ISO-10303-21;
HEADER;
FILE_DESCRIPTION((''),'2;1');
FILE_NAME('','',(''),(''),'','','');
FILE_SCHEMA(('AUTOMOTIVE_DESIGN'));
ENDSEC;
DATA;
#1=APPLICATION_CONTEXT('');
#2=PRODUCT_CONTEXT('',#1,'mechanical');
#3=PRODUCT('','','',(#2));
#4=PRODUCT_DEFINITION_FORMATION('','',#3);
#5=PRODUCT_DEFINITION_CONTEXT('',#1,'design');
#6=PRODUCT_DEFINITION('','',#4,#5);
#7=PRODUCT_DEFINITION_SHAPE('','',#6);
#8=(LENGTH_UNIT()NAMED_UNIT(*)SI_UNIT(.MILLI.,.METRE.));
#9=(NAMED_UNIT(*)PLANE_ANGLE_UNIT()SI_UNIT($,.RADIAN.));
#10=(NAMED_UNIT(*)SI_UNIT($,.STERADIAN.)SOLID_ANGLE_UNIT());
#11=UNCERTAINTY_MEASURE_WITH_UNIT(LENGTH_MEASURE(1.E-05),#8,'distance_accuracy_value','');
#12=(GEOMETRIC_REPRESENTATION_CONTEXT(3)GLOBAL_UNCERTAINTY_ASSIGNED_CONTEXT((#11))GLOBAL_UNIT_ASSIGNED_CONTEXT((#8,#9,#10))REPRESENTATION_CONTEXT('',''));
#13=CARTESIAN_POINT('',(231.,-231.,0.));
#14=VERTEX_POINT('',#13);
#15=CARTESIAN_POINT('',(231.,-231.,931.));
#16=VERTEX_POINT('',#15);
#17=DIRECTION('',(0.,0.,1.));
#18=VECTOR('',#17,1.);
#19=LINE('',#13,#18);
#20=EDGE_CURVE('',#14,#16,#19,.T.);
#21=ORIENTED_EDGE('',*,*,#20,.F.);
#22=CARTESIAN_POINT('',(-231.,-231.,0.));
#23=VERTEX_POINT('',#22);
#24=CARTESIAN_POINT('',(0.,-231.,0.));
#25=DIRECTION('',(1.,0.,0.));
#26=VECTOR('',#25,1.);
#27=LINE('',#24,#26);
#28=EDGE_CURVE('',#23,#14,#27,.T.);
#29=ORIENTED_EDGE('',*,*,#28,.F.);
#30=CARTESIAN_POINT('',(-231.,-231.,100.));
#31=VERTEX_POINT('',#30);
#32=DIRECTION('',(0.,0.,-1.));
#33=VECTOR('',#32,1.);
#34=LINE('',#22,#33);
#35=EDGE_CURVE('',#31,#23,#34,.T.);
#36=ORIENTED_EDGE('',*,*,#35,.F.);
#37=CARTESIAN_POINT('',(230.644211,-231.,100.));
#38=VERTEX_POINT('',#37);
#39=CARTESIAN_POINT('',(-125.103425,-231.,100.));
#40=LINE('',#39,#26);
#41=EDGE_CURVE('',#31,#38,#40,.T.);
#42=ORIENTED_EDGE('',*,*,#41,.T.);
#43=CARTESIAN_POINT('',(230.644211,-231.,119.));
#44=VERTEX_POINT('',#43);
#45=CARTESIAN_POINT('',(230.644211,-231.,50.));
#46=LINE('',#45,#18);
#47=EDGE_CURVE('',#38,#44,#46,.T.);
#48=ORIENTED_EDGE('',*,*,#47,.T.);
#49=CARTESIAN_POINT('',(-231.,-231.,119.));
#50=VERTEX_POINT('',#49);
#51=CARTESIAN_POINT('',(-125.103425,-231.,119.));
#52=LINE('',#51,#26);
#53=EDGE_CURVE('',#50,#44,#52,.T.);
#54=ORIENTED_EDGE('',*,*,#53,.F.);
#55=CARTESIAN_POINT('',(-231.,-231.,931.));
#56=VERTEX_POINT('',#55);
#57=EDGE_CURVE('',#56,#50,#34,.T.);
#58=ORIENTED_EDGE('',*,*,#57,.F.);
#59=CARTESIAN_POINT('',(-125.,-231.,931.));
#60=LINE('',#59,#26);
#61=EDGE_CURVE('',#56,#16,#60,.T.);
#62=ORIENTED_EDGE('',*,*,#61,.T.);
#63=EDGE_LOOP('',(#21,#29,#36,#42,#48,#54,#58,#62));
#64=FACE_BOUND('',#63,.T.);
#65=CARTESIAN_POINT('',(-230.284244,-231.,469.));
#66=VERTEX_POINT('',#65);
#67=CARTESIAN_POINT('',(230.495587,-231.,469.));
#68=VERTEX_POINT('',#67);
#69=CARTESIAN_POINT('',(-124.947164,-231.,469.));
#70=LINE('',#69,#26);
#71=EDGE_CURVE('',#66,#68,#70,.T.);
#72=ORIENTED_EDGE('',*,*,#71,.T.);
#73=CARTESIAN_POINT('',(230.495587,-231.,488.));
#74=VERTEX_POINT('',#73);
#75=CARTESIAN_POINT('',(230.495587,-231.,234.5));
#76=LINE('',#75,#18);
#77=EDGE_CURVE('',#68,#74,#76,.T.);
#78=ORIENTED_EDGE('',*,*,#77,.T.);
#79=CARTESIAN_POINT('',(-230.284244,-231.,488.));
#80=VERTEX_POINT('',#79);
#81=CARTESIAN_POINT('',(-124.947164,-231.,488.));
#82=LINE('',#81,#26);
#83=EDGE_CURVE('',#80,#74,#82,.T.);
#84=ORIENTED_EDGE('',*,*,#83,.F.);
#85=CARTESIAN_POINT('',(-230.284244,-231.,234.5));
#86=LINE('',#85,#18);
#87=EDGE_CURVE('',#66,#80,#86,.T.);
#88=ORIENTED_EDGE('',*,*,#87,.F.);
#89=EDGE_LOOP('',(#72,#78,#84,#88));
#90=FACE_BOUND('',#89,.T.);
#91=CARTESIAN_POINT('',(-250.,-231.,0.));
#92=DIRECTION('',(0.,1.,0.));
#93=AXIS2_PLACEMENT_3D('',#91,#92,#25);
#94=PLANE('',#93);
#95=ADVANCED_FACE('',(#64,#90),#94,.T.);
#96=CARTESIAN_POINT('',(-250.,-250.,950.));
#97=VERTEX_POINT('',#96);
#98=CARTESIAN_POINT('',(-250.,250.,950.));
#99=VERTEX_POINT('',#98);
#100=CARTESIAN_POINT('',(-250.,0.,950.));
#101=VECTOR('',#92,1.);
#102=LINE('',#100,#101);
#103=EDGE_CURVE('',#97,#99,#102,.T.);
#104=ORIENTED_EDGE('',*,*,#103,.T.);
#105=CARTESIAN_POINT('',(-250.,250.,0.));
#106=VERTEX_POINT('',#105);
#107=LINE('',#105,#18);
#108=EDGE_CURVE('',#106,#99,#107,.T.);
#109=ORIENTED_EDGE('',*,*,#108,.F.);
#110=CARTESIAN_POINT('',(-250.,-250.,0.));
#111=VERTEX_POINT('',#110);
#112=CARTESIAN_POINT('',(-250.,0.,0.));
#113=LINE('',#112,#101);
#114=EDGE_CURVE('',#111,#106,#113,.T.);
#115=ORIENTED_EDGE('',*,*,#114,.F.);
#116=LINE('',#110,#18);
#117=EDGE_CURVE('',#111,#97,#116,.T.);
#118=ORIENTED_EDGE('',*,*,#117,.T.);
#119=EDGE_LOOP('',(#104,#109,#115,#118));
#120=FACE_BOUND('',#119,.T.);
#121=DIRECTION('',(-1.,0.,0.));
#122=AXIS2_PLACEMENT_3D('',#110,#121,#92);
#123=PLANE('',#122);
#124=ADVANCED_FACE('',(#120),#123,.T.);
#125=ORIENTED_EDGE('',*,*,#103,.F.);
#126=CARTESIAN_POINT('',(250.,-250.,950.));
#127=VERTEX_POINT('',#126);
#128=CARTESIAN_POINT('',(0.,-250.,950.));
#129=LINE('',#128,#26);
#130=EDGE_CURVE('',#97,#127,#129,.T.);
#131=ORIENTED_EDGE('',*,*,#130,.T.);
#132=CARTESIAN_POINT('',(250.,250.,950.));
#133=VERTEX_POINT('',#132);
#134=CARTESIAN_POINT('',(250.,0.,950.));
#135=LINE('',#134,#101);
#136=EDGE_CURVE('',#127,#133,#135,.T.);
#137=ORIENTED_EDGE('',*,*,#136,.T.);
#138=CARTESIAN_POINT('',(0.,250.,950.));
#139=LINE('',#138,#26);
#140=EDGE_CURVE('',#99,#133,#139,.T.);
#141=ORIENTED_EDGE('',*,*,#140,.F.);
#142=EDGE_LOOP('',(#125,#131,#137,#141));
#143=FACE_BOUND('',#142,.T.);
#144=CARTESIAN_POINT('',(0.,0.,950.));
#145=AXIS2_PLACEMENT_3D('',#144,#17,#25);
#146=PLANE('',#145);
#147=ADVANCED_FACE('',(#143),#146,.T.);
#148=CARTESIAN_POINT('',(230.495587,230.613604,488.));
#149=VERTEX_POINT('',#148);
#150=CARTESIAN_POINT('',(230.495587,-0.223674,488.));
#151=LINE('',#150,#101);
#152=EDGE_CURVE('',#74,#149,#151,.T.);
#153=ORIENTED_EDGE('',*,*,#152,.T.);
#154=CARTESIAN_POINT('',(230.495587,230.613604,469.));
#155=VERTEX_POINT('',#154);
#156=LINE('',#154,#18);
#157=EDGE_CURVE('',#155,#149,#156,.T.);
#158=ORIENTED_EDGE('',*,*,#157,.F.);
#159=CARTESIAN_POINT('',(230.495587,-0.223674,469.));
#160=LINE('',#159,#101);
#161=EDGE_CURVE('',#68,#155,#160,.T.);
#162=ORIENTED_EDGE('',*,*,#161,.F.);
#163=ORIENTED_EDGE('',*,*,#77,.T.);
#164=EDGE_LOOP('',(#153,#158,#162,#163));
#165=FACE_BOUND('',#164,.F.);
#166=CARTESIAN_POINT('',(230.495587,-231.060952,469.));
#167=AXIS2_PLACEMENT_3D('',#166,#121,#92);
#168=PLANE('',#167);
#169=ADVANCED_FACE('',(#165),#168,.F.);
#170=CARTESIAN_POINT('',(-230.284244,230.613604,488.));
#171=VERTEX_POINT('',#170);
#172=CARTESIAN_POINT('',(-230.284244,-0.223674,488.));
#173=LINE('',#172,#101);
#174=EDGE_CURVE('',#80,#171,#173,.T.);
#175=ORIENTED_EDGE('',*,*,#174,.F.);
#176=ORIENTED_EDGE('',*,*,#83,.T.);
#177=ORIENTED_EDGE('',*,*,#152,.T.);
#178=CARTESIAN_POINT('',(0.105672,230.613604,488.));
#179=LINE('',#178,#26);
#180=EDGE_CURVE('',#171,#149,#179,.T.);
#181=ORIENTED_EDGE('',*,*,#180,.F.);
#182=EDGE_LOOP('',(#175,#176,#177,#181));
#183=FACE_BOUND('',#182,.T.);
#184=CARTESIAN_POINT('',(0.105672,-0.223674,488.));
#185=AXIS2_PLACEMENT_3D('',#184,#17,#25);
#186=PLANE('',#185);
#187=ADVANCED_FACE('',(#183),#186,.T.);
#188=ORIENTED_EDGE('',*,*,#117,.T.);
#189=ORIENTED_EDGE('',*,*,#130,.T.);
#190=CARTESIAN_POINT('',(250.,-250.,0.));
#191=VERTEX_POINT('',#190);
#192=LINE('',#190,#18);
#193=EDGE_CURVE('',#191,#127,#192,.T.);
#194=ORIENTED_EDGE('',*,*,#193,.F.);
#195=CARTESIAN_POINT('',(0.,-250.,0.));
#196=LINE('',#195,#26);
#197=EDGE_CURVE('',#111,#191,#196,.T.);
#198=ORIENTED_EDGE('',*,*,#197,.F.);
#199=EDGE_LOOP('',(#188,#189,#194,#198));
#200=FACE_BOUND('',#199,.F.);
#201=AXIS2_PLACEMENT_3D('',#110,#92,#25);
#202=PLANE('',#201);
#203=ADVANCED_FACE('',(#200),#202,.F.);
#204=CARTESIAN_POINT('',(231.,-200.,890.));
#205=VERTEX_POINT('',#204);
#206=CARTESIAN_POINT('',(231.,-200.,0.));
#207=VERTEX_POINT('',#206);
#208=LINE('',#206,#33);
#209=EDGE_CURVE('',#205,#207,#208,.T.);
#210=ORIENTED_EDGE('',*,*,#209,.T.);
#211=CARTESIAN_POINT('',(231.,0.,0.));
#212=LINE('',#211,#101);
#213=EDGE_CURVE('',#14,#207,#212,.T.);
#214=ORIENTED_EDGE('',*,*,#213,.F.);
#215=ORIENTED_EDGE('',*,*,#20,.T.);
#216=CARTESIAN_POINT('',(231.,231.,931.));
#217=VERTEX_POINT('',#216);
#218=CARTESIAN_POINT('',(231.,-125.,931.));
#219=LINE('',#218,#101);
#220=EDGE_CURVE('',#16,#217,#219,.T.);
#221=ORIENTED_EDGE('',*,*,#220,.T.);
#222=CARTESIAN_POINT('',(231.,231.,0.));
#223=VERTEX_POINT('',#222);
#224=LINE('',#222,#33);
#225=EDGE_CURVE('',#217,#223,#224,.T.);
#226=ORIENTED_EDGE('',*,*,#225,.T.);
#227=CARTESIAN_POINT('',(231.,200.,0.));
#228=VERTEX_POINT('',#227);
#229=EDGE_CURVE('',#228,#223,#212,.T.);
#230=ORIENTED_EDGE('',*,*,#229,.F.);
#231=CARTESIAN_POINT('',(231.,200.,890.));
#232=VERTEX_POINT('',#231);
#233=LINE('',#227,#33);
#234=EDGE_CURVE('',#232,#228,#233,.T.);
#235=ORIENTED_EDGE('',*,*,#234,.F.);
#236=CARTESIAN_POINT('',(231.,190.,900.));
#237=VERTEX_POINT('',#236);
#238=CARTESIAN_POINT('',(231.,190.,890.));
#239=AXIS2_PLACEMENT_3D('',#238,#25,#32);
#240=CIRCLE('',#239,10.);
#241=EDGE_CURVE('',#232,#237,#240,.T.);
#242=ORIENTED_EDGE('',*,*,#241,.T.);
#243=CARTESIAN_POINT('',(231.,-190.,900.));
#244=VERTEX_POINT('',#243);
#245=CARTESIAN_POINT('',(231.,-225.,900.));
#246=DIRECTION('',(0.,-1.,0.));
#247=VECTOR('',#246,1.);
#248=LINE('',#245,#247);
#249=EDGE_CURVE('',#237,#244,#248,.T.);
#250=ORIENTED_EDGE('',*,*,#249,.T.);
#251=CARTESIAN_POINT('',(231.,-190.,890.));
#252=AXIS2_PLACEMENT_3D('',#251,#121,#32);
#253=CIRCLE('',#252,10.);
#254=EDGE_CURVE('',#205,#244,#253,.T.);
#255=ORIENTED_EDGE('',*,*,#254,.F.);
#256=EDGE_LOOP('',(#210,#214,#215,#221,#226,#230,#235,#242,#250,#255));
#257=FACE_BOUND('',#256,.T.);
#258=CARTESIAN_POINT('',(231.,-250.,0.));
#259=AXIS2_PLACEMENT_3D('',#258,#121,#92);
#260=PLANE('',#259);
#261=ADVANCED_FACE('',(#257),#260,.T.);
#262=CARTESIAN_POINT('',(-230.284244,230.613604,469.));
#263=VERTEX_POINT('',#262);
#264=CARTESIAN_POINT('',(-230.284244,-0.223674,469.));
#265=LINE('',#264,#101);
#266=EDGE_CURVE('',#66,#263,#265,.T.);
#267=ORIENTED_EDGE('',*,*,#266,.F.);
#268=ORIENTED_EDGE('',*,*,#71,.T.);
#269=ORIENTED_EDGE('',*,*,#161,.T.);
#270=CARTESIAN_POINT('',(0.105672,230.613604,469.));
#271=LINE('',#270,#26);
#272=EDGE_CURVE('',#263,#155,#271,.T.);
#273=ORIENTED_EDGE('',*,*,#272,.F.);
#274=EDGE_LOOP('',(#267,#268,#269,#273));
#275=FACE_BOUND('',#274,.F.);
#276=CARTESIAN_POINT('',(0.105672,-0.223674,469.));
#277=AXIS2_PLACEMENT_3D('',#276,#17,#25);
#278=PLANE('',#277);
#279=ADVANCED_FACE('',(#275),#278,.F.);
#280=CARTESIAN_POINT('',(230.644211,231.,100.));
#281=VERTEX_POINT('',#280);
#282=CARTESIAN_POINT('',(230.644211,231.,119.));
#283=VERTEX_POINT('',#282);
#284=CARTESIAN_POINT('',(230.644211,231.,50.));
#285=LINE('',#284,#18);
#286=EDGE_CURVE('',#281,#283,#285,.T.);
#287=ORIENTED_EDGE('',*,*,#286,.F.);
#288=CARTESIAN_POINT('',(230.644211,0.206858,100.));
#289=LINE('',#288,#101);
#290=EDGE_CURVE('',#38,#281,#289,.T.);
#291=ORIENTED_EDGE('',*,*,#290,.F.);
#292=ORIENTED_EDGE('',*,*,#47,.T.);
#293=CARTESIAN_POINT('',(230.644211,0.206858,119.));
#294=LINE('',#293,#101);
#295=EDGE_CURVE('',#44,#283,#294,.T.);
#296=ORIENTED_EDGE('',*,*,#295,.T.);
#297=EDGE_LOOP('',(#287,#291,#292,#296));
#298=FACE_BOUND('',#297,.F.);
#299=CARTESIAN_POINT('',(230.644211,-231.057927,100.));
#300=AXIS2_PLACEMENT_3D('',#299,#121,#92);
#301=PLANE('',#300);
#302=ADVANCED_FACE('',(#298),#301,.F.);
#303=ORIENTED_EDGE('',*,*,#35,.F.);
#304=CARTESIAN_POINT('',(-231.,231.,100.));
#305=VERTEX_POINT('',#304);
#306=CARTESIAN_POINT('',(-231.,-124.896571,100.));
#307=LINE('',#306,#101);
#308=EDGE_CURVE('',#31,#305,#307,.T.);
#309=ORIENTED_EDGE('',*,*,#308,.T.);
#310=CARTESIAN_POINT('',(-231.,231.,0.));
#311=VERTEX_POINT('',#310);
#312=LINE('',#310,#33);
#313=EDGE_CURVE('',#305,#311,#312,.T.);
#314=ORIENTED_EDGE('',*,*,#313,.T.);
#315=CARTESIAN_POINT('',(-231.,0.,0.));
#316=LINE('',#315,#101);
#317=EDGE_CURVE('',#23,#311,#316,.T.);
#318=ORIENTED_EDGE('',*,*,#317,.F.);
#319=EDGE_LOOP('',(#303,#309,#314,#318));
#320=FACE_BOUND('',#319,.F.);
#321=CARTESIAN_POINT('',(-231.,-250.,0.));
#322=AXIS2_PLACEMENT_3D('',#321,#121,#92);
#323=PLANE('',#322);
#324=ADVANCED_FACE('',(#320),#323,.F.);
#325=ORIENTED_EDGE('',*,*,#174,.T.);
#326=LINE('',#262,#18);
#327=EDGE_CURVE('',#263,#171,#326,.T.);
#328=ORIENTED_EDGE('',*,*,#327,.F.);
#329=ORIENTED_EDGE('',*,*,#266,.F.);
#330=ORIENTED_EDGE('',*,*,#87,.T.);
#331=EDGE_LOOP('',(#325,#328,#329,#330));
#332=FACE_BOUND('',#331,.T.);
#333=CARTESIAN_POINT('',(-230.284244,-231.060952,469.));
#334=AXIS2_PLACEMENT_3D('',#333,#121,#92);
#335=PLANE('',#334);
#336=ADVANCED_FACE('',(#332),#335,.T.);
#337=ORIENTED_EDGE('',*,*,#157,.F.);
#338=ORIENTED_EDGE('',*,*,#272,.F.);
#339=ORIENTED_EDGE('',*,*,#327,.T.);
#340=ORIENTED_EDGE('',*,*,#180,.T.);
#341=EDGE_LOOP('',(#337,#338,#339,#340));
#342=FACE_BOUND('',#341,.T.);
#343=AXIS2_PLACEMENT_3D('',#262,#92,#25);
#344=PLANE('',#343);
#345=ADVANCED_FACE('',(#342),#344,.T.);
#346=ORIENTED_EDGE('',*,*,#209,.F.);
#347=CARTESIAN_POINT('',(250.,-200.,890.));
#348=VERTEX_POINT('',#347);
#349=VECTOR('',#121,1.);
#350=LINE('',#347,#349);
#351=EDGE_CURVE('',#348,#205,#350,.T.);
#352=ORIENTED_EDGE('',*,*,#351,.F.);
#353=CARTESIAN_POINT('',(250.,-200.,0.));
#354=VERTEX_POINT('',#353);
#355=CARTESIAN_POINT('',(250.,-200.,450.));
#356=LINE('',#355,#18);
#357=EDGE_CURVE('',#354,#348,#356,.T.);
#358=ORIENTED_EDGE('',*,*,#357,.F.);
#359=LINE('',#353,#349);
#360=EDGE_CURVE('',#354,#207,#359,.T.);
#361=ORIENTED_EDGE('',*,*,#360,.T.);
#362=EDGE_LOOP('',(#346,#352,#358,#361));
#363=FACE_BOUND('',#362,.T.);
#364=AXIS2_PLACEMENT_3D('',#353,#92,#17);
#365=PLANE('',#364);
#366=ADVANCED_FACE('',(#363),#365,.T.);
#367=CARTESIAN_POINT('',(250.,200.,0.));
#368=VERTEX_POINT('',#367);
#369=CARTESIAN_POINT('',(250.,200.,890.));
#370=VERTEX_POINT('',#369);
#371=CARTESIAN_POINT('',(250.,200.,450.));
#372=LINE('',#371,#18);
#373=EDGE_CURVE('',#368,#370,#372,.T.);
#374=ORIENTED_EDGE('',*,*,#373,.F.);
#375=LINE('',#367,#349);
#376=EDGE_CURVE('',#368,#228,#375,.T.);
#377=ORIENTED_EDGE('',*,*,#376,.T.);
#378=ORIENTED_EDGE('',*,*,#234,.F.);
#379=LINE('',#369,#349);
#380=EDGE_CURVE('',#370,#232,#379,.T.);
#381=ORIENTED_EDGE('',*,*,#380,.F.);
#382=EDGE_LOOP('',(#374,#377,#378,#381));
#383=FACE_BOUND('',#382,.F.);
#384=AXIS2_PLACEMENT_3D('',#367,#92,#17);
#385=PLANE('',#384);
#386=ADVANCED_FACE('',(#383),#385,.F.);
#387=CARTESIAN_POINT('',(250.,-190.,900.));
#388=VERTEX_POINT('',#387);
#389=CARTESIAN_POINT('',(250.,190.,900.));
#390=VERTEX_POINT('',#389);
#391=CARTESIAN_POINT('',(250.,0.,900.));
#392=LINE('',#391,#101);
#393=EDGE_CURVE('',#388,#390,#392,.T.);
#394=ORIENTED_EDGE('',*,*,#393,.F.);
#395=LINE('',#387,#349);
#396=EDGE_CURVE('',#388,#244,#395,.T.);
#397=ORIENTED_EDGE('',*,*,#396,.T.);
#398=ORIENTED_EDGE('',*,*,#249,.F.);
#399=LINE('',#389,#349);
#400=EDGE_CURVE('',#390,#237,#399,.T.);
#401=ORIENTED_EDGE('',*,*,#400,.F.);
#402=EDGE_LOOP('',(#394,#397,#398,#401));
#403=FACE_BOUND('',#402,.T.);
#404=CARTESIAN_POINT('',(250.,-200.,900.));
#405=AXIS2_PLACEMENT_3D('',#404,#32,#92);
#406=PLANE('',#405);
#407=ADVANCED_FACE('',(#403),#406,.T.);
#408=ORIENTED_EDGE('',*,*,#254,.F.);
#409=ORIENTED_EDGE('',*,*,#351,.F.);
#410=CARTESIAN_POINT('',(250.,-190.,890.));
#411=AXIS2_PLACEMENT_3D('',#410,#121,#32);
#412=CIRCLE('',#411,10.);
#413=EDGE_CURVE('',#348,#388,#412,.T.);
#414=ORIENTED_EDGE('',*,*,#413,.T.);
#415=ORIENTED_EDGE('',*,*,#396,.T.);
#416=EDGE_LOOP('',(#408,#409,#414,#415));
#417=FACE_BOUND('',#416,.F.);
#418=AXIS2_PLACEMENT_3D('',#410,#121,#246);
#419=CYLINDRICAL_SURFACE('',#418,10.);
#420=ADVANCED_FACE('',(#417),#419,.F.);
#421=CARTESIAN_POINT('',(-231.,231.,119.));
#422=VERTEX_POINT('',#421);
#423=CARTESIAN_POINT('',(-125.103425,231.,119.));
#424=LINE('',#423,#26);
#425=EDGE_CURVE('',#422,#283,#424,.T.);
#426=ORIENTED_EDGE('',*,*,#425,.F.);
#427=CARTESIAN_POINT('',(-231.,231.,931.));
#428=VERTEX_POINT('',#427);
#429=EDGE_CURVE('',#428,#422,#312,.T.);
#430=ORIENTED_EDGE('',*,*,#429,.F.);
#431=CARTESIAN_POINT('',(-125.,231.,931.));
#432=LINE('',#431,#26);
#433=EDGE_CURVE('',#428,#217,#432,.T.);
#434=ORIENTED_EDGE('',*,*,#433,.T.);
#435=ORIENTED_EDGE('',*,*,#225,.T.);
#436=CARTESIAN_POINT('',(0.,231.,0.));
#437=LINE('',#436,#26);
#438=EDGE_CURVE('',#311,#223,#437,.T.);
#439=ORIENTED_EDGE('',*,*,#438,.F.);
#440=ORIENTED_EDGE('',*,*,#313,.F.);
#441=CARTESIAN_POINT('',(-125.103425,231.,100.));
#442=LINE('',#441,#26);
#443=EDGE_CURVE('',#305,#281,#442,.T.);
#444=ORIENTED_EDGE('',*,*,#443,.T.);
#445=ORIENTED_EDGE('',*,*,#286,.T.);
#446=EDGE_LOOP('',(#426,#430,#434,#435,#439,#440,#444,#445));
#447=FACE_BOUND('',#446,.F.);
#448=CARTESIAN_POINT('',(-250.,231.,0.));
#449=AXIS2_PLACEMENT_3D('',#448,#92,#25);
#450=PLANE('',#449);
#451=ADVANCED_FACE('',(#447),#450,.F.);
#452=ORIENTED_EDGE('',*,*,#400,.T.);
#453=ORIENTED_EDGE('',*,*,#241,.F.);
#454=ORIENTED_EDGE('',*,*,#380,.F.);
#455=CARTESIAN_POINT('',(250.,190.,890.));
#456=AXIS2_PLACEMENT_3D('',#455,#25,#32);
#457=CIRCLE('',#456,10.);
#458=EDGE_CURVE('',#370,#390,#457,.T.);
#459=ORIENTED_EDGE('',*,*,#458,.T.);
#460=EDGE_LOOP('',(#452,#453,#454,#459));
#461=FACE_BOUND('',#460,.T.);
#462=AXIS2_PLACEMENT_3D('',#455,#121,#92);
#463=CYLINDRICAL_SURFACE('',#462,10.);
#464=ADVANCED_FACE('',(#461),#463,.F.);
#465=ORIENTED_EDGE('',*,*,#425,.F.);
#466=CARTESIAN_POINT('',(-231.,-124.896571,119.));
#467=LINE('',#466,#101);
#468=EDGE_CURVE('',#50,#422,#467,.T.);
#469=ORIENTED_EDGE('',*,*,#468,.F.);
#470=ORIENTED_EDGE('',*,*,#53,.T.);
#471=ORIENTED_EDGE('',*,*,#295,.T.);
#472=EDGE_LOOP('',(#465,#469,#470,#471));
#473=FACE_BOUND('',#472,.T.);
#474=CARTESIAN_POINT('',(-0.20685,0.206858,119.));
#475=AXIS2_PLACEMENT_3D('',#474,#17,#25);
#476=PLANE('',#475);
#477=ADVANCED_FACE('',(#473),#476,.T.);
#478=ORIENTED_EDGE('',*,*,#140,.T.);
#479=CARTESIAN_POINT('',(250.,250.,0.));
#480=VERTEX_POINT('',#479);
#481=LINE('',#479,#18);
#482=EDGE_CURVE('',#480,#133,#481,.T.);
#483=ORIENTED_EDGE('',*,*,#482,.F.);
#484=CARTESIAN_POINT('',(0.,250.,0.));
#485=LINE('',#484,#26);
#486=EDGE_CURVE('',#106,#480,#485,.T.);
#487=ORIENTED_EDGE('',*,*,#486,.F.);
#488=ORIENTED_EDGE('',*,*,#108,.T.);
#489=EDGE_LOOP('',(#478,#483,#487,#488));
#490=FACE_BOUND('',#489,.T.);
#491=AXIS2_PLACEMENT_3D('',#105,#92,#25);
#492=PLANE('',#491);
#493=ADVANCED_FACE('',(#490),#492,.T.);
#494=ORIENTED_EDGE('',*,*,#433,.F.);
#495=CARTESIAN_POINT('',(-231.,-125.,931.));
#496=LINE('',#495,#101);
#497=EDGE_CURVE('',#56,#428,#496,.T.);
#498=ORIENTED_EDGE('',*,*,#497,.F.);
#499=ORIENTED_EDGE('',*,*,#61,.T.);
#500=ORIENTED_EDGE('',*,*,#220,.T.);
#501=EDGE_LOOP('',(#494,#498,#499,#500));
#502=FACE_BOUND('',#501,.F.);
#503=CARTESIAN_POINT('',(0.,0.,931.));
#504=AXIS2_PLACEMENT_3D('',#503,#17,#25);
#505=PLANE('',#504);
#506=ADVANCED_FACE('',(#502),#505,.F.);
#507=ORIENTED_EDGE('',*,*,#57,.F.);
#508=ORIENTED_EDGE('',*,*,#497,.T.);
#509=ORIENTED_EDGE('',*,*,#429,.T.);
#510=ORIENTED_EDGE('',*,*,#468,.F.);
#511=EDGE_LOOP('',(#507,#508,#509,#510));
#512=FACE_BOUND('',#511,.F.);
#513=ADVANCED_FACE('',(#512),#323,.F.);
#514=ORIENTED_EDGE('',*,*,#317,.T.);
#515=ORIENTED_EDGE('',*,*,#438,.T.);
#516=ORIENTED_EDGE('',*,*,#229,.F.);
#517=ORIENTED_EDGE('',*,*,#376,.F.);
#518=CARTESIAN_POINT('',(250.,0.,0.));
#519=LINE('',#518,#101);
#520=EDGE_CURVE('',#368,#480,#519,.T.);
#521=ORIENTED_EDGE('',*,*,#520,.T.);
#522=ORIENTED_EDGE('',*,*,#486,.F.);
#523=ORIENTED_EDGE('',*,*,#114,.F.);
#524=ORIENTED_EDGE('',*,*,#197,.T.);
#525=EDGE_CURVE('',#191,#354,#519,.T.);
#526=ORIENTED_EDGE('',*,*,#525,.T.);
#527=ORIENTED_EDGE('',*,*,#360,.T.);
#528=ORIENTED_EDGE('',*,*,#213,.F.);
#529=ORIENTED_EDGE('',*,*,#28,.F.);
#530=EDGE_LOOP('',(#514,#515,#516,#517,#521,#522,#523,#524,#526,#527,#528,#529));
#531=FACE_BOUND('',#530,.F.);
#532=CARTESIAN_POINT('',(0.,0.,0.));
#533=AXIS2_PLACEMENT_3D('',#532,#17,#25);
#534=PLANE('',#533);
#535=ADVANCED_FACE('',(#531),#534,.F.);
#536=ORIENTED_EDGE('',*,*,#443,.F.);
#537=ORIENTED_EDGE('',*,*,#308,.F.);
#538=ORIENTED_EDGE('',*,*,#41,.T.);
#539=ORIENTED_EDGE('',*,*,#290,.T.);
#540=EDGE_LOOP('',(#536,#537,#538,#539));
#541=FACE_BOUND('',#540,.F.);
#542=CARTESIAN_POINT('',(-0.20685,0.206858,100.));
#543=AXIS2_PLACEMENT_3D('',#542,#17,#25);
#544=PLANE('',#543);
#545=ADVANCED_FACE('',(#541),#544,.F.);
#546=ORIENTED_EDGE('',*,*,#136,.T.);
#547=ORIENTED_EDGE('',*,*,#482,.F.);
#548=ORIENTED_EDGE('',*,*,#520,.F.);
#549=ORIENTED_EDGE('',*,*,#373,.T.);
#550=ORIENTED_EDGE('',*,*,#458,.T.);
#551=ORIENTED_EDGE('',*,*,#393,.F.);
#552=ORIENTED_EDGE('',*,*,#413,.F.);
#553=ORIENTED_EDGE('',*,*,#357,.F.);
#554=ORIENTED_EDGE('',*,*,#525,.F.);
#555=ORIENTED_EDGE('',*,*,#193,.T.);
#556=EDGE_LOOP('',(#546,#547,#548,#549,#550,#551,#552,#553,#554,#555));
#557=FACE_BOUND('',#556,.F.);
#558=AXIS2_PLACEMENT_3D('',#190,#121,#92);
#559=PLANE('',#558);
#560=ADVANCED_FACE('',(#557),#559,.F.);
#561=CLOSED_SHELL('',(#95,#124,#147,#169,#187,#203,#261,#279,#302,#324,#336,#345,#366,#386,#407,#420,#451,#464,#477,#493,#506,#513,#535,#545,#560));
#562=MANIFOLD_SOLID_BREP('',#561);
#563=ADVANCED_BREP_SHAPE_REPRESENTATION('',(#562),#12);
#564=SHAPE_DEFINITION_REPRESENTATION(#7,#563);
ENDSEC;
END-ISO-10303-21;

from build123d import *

# Parameters (mm, degrees)
F0_W      = 500
F0_H      = 500
F1_DEPTH  = 950
F2_T      = -19
F3_W      = 400
F3_H      = 900
F4_DEPTH  = 25
F5_R      = 10
F7_W      = 461.7021232843
F7_H      = 462.5295698643
F8_DEPTH  = 19
F10_W     = 460.7798308134
F10_H     = 461.6745561361
F11_DEPTH = 19


with BuildPart() as f1:
    # F0 (on Top) → F1 (new body)
    with BuildSketch(Plane.XY):
        Rectangle(F0_W, F0_H)
    extrude(amount=F1_DEPTH)

    # F2
    f2_openings = [f1.faces().sort_by_distance(p)[0] for p in [
        (0, 0, 0),
    ]]
    offset(amount=F2_T, openings=f2_openings)

    # F3 (on face) → F4 (cut)
    with BuildSketch(Plane.YZ.offset(250)):
        with Locations((0, 450)):
            Rectangle(F3_W, F3_H)
    extrude(amount=-F4_DEPTH, mode=Mode.SUBTRACT)

    # F5
    f5_edges = [f1.edges().sort_by_distance(p)[0] for p in [
        (240.5, 200, 900),
        (240.5, -200, 900),
    ]]
    fillet(f5_edges, radius=F5_R)

    # F7 (on offset) → F8 (join)
    with BuildSketch(Plane.XY.offset(100)):
        with Locations((-0.2068504691, 0.2068579197)):
            Rectangle(F7_W, F7_H)
    extrude(amount=F8_DEPTH)

    # F10 (on offset) → F11 (join)
    with BuildSketch(Plane.XY.offset(469)):
        with Locations((0.1056715846, -0.2236738801)):
            Rectangle(F10_W, F10_H)
    extrude(amount=F11_DEPTH)


solid = f1.part
